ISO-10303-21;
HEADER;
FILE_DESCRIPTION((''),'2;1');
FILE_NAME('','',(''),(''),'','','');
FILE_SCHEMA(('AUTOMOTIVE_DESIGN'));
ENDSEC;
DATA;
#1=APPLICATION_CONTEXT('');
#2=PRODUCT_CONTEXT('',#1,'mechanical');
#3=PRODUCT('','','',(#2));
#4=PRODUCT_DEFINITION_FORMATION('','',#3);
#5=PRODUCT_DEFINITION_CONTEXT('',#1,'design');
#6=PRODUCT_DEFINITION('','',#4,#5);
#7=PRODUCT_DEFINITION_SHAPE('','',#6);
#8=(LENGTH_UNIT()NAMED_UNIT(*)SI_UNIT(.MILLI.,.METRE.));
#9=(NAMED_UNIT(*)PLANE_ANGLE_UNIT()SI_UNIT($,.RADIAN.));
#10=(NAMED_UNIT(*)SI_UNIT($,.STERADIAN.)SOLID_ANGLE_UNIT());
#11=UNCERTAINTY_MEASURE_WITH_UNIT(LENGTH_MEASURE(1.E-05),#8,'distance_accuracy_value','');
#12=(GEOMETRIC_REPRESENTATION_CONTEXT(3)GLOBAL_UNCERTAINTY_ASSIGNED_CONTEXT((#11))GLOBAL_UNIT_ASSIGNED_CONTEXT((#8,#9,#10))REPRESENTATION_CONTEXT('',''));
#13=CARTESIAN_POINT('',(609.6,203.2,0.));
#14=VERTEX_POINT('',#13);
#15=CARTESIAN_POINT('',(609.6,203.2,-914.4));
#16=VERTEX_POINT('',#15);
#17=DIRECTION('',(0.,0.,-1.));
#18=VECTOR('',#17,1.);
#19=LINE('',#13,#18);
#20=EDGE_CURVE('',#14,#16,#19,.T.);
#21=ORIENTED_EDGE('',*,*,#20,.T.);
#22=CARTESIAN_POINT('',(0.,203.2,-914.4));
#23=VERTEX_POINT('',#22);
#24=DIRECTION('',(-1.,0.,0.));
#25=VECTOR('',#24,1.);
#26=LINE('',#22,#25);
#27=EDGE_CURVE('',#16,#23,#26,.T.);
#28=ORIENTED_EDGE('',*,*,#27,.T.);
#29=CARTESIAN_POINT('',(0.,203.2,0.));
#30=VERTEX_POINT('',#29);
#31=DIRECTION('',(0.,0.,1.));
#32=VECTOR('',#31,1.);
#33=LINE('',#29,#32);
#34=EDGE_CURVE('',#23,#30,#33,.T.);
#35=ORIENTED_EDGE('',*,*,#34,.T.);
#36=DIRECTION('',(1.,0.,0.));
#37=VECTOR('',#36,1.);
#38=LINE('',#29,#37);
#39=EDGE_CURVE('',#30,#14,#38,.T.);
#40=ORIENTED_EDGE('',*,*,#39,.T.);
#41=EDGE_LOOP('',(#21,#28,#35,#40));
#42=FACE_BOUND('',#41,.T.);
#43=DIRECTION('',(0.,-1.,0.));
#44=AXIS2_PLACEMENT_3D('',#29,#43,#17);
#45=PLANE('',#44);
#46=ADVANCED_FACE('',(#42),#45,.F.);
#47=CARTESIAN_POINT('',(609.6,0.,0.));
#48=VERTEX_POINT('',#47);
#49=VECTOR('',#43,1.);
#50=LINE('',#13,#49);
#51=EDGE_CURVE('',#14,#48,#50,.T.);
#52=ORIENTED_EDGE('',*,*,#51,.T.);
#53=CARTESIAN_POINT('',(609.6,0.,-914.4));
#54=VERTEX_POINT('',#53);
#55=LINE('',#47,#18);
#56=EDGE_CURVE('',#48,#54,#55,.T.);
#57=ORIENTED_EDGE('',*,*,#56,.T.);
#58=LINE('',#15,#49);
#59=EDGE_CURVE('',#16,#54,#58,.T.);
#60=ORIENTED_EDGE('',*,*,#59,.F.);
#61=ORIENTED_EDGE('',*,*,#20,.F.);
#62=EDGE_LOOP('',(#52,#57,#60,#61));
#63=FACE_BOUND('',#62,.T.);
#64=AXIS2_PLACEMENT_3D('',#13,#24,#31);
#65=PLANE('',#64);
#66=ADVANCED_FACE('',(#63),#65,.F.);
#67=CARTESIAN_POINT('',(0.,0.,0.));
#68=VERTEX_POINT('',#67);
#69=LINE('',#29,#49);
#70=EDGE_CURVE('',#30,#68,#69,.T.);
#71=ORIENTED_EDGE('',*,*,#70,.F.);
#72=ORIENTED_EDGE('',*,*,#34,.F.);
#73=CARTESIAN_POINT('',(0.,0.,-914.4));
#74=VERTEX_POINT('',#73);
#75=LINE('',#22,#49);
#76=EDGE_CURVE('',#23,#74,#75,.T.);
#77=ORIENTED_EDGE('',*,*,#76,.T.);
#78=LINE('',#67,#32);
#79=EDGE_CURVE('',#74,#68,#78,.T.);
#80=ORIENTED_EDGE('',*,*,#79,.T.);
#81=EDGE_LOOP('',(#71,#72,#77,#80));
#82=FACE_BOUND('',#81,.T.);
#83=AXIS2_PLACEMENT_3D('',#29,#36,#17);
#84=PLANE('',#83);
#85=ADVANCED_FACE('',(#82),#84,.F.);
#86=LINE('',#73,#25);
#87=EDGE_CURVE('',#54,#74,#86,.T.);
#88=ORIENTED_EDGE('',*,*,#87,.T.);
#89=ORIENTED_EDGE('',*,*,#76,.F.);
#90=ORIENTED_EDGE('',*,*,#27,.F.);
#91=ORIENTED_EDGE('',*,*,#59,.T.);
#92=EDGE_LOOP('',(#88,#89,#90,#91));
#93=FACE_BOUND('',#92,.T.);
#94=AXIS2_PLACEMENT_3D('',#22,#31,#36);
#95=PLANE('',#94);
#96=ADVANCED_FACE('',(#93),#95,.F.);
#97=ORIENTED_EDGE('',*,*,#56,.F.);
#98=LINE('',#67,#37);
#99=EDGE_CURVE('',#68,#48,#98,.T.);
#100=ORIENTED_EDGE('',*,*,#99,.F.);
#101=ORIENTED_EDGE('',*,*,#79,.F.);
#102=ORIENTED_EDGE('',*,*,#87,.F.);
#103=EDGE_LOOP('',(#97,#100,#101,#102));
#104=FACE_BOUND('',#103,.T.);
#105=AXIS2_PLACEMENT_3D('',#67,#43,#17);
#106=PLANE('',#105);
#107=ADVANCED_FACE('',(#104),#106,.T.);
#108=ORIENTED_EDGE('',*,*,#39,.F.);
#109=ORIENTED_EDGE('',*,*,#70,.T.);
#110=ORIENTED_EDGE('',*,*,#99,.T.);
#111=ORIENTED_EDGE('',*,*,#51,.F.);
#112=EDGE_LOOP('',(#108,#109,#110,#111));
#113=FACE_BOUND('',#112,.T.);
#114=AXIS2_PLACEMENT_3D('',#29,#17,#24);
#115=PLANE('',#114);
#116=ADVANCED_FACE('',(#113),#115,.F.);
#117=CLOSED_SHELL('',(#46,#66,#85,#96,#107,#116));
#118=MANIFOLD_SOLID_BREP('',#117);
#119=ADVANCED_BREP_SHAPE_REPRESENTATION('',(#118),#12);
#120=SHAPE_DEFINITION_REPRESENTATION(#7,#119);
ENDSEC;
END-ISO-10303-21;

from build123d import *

# Parameters (mm, degrees)
SKETCH1_W           = 609.6
SKETCH1_H           = 914.4
BOSS_EXTRUDE1_DEPTH = 203.2


with BuildPart() as part:
    # Sketch1 → Boss-Extrude1 (new body)
    with BuildSketch(Plane(origin=(0, 0, 0), x_dir=(1, 0, 0), z_dir=(0, 1, 0))):
        with Locations((304.8, 457.2)):
            Rectangle(SKETCH1_W, SKETCH1_H)
    extrude(amount=BOSS_EXTRUDE1_DEPTH)


solid = part.part
